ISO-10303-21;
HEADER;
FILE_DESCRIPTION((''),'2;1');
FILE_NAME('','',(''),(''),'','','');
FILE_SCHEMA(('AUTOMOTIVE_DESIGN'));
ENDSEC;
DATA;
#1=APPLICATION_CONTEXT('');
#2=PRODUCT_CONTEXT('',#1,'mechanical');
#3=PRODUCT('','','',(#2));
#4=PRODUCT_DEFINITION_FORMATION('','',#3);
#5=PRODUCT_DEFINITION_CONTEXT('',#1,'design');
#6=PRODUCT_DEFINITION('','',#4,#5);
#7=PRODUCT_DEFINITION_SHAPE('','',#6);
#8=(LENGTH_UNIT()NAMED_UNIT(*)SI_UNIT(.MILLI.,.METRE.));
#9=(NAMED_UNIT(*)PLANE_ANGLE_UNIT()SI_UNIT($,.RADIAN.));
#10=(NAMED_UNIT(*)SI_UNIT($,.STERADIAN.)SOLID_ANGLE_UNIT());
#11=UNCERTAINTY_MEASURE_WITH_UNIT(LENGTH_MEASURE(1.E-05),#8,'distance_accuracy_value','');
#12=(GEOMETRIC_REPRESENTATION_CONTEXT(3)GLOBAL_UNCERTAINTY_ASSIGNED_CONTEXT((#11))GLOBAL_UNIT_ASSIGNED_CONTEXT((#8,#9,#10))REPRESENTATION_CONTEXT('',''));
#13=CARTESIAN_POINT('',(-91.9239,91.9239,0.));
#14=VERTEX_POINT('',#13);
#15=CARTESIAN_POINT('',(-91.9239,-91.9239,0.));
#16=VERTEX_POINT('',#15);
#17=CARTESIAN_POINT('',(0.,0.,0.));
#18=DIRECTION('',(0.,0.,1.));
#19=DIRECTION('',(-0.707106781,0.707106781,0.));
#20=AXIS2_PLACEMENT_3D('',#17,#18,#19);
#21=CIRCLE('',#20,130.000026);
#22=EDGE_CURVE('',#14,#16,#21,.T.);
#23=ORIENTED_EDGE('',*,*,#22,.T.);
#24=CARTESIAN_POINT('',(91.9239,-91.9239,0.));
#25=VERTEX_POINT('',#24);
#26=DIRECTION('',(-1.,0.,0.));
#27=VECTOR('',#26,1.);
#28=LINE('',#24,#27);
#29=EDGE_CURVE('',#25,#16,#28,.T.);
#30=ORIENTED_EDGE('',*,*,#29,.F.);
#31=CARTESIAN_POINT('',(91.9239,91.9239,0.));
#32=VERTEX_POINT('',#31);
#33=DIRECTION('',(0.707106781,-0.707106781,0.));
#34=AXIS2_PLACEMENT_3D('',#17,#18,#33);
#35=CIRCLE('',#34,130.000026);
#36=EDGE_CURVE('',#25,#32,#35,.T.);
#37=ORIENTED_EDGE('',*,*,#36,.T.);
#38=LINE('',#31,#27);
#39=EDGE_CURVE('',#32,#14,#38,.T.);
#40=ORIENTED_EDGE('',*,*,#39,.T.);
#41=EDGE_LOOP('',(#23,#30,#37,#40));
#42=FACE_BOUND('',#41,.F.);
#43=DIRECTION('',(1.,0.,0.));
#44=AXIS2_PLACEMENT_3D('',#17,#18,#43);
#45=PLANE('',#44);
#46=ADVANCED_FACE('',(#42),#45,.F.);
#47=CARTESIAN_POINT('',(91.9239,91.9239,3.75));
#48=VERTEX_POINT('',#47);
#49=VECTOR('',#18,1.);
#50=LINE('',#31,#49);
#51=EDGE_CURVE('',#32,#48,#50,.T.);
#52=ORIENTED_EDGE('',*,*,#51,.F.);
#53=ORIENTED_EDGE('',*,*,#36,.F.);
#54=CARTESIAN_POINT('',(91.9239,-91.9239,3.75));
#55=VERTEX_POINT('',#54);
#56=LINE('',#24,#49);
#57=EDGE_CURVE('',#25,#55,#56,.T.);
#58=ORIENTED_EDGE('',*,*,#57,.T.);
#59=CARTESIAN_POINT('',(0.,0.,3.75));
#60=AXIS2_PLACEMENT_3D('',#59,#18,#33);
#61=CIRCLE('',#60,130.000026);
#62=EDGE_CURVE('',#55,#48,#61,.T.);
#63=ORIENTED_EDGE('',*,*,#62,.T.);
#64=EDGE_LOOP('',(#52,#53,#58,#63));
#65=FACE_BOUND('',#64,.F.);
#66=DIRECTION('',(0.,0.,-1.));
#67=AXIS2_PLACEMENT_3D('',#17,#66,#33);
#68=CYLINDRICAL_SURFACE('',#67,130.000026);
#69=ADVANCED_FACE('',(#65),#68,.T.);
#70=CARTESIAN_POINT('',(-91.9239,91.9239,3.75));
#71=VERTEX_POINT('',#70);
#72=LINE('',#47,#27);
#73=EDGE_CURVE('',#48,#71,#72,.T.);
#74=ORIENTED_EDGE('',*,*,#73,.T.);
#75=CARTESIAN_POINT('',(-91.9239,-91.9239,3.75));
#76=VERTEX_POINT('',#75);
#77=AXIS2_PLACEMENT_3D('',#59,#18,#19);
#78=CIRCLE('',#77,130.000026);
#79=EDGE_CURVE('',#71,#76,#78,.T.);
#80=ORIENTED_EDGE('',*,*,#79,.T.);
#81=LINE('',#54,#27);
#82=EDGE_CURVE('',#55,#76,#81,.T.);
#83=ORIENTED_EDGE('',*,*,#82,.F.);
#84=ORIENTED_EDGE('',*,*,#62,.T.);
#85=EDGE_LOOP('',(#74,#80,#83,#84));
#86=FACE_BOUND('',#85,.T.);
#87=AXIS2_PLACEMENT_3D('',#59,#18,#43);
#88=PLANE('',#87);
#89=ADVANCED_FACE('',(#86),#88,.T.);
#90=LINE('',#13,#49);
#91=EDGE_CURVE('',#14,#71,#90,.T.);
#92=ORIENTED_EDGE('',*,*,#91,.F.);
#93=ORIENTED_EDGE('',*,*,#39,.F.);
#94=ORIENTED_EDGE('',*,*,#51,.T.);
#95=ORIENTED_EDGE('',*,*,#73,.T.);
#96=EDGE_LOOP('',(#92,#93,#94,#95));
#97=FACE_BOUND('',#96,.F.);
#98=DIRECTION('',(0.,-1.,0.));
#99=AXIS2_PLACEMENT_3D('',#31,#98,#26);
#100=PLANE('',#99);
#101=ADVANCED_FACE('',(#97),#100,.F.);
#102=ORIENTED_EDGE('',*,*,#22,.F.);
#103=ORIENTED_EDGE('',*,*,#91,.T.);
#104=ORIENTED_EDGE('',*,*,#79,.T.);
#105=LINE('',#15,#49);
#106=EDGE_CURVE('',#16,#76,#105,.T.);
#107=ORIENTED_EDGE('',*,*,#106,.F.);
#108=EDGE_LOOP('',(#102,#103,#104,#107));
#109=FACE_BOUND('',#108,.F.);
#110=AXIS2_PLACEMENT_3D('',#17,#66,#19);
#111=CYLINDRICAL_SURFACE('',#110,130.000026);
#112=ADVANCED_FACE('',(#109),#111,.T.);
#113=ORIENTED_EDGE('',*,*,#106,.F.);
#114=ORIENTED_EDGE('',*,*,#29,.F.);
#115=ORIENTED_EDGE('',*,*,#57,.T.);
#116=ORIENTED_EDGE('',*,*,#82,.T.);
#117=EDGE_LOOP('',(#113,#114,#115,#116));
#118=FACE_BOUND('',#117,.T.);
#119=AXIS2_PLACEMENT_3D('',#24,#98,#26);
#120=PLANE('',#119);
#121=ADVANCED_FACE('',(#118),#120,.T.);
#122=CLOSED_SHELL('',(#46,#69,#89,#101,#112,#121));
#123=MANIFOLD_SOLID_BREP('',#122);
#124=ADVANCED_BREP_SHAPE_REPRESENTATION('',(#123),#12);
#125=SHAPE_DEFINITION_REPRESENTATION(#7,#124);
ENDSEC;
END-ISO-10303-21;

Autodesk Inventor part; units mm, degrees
ref_plane "YZ Plane" through (0, 0, 0) normal (1, 0, 0) x (0, 1, 0)
ref_plane "XZ Plane" through (0, 0, 0) normal (0, 1, 0) x (-1, 0, 0)
ref_plane "XY Plane" through (0, 0, 0) normal (0, 0, 1) x (1, 0, 0)
sketch "Sketch3" plane through (0, 0, 0) normal (0, 0, 1) x (1, 0, 0)
  line L0 (91.9239, 91.9239) -> (-91.9239, 91.9239)
  line L1 (-91.9239, 91.9239) -> (91.9239, 91.9239)
  arc A0 (91.9239, -91.9239) -> (91.9239, 91.9239) centre (0, 0) ccw
  arc A1 (91.9239, -91.9239) -> (91.9239, 91.9239) centre (91.9239, 0) ccw
  line L2 (91.9239, -91.9239) -> (-91.9239, -91.9239)
  arc A2 (-91.9239, 91.9239) -> (-91.9239, -91.9239) centre (0, 0) ccw
  arc A3 (-91.9239, 91.9239) -> (-91.9239, -91.9239) centre (-91.9239, 0) ccw
  dimension "d2" = 183.8478
  dimension "d3" = 183.8478
extrude "Extrusion2" add sketch "Sketch3" along normal blind 3.75 contours A0 L2 A2 L0
properties part number "Gear Container Lid"
